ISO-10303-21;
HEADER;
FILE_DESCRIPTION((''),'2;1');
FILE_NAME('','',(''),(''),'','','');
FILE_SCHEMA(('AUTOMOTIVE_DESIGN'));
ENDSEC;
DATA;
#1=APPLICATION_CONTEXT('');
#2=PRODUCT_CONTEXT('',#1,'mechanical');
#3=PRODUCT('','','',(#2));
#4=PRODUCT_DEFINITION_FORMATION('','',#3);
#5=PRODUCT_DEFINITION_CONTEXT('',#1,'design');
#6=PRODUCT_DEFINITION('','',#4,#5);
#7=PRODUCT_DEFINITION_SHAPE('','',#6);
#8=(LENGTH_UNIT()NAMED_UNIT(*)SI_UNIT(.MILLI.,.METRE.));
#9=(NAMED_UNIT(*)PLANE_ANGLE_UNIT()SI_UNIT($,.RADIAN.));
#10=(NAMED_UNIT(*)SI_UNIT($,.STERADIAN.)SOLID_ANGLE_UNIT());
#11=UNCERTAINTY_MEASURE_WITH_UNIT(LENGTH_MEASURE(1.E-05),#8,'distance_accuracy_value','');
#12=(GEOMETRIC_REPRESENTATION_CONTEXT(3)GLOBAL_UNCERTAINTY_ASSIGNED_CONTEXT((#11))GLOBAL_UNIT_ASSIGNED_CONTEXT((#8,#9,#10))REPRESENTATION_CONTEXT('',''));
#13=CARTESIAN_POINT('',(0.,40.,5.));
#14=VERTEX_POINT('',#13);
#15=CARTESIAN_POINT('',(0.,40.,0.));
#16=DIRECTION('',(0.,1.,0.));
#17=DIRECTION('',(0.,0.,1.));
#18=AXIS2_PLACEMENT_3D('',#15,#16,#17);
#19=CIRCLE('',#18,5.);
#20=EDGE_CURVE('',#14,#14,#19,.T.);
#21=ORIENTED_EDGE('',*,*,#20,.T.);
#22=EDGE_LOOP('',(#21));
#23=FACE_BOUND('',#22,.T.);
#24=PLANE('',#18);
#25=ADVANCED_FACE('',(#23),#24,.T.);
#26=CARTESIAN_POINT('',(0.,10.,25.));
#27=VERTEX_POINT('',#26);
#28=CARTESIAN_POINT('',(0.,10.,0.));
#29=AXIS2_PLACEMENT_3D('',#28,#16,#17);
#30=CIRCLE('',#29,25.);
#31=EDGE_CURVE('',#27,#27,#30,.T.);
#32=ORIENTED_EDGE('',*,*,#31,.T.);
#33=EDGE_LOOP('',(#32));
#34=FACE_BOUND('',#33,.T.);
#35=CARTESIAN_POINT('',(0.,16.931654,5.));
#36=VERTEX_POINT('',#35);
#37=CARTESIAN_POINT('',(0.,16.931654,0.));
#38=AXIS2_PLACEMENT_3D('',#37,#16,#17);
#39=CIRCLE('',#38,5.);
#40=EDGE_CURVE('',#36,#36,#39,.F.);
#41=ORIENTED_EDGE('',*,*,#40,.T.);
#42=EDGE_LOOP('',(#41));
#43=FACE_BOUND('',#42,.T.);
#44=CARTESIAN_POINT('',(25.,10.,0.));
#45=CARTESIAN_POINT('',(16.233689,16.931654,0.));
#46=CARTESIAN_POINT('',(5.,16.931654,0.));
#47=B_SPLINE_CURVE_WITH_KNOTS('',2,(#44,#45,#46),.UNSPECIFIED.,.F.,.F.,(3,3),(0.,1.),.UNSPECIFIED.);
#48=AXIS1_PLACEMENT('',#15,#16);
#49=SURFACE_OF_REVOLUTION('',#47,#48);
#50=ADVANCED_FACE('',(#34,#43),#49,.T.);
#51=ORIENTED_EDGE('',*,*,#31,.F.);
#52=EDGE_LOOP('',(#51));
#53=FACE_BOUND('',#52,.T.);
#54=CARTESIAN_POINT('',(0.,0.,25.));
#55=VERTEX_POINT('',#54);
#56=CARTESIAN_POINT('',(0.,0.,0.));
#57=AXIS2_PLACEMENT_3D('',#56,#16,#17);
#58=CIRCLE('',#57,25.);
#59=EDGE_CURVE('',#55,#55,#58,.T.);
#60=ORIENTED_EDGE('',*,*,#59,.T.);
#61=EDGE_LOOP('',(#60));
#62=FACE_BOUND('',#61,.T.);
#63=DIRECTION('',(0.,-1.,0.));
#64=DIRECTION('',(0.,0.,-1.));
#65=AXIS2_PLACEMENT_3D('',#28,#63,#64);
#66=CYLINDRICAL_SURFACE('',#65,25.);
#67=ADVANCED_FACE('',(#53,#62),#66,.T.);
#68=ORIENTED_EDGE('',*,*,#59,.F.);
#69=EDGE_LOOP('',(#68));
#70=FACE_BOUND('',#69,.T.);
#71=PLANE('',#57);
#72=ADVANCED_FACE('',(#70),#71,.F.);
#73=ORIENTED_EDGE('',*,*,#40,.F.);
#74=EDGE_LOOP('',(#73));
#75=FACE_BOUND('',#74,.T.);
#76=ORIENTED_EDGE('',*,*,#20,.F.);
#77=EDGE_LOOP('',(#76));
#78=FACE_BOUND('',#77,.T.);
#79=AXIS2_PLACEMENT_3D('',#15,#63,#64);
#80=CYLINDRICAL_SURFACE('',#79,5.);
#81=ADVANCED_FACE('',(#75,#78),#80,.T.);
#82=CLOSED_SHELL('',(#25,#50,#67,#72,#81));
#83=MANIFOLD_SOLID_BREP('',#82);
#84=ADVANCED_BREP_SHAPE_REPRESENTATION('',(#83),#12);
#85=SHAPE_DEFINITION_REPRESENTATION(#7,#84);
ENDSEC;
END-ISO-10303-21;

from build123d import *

# Parameters (mm, degrees)
CROQUIS1_R              = 25
SALIENTE_EXTRUIR1_DEPTH = 10
CROQUIS2_R              = 5
SALIENTE_EXTRUIR2_DEPTH = 30


with BuildPart() as part:
    # Croquis1 → Saliente-Extruir1 (new body)
    with BuildSketch(Plane(origin=(0, 0, 0), x_dir=(1, 0, 0), z_dir=(0, 1, 0))):
        with Locations(Location((0, 0, 0), (0, 0, 270))):
            Circle(CROQUIS1_R)
    extrude(amount=SALIENTE_EXTRUIR1_DEPTH)

    # Croquis2 → Saliente-Extruir2 (add)
    with BuildSketch(Plane(origin=(0, 10, 0), x_dir=(1, 0, 0), z_dir=(0, 1, 0))):
        with Locations(Location((0, 0, 0), (0, 0, 270))):
            Circle(CROQUIS2_R)
    extrude(amount=SALIENTE_EXTRUIR2_DEPTH)

    # Croquis4 → Revolución1 (revolve)
    with BuildSketch(Plane.XY, mode=Mode.PRIVATE) as revoluci_n1_sk:
        with BuildLine():
            Line((5, 16.931653532), (5, 10))
            Line((5, 10), (25, 10))
            add(Edge.make_bspline(
                [(25, 10), (16.233689239, 16.931653532), (5, 16.931653532)],
                knots=[0, 0, 0, 1, 1, 1], degree=2))
        make_face()
    revolve(revoluci_n1_sk.sketch.rotate(Axis((0, 40, 0), (0, -1, 0)), 90), axis=Axis((0, 40, 0), (0, -1, 0)))


solid = part.part
